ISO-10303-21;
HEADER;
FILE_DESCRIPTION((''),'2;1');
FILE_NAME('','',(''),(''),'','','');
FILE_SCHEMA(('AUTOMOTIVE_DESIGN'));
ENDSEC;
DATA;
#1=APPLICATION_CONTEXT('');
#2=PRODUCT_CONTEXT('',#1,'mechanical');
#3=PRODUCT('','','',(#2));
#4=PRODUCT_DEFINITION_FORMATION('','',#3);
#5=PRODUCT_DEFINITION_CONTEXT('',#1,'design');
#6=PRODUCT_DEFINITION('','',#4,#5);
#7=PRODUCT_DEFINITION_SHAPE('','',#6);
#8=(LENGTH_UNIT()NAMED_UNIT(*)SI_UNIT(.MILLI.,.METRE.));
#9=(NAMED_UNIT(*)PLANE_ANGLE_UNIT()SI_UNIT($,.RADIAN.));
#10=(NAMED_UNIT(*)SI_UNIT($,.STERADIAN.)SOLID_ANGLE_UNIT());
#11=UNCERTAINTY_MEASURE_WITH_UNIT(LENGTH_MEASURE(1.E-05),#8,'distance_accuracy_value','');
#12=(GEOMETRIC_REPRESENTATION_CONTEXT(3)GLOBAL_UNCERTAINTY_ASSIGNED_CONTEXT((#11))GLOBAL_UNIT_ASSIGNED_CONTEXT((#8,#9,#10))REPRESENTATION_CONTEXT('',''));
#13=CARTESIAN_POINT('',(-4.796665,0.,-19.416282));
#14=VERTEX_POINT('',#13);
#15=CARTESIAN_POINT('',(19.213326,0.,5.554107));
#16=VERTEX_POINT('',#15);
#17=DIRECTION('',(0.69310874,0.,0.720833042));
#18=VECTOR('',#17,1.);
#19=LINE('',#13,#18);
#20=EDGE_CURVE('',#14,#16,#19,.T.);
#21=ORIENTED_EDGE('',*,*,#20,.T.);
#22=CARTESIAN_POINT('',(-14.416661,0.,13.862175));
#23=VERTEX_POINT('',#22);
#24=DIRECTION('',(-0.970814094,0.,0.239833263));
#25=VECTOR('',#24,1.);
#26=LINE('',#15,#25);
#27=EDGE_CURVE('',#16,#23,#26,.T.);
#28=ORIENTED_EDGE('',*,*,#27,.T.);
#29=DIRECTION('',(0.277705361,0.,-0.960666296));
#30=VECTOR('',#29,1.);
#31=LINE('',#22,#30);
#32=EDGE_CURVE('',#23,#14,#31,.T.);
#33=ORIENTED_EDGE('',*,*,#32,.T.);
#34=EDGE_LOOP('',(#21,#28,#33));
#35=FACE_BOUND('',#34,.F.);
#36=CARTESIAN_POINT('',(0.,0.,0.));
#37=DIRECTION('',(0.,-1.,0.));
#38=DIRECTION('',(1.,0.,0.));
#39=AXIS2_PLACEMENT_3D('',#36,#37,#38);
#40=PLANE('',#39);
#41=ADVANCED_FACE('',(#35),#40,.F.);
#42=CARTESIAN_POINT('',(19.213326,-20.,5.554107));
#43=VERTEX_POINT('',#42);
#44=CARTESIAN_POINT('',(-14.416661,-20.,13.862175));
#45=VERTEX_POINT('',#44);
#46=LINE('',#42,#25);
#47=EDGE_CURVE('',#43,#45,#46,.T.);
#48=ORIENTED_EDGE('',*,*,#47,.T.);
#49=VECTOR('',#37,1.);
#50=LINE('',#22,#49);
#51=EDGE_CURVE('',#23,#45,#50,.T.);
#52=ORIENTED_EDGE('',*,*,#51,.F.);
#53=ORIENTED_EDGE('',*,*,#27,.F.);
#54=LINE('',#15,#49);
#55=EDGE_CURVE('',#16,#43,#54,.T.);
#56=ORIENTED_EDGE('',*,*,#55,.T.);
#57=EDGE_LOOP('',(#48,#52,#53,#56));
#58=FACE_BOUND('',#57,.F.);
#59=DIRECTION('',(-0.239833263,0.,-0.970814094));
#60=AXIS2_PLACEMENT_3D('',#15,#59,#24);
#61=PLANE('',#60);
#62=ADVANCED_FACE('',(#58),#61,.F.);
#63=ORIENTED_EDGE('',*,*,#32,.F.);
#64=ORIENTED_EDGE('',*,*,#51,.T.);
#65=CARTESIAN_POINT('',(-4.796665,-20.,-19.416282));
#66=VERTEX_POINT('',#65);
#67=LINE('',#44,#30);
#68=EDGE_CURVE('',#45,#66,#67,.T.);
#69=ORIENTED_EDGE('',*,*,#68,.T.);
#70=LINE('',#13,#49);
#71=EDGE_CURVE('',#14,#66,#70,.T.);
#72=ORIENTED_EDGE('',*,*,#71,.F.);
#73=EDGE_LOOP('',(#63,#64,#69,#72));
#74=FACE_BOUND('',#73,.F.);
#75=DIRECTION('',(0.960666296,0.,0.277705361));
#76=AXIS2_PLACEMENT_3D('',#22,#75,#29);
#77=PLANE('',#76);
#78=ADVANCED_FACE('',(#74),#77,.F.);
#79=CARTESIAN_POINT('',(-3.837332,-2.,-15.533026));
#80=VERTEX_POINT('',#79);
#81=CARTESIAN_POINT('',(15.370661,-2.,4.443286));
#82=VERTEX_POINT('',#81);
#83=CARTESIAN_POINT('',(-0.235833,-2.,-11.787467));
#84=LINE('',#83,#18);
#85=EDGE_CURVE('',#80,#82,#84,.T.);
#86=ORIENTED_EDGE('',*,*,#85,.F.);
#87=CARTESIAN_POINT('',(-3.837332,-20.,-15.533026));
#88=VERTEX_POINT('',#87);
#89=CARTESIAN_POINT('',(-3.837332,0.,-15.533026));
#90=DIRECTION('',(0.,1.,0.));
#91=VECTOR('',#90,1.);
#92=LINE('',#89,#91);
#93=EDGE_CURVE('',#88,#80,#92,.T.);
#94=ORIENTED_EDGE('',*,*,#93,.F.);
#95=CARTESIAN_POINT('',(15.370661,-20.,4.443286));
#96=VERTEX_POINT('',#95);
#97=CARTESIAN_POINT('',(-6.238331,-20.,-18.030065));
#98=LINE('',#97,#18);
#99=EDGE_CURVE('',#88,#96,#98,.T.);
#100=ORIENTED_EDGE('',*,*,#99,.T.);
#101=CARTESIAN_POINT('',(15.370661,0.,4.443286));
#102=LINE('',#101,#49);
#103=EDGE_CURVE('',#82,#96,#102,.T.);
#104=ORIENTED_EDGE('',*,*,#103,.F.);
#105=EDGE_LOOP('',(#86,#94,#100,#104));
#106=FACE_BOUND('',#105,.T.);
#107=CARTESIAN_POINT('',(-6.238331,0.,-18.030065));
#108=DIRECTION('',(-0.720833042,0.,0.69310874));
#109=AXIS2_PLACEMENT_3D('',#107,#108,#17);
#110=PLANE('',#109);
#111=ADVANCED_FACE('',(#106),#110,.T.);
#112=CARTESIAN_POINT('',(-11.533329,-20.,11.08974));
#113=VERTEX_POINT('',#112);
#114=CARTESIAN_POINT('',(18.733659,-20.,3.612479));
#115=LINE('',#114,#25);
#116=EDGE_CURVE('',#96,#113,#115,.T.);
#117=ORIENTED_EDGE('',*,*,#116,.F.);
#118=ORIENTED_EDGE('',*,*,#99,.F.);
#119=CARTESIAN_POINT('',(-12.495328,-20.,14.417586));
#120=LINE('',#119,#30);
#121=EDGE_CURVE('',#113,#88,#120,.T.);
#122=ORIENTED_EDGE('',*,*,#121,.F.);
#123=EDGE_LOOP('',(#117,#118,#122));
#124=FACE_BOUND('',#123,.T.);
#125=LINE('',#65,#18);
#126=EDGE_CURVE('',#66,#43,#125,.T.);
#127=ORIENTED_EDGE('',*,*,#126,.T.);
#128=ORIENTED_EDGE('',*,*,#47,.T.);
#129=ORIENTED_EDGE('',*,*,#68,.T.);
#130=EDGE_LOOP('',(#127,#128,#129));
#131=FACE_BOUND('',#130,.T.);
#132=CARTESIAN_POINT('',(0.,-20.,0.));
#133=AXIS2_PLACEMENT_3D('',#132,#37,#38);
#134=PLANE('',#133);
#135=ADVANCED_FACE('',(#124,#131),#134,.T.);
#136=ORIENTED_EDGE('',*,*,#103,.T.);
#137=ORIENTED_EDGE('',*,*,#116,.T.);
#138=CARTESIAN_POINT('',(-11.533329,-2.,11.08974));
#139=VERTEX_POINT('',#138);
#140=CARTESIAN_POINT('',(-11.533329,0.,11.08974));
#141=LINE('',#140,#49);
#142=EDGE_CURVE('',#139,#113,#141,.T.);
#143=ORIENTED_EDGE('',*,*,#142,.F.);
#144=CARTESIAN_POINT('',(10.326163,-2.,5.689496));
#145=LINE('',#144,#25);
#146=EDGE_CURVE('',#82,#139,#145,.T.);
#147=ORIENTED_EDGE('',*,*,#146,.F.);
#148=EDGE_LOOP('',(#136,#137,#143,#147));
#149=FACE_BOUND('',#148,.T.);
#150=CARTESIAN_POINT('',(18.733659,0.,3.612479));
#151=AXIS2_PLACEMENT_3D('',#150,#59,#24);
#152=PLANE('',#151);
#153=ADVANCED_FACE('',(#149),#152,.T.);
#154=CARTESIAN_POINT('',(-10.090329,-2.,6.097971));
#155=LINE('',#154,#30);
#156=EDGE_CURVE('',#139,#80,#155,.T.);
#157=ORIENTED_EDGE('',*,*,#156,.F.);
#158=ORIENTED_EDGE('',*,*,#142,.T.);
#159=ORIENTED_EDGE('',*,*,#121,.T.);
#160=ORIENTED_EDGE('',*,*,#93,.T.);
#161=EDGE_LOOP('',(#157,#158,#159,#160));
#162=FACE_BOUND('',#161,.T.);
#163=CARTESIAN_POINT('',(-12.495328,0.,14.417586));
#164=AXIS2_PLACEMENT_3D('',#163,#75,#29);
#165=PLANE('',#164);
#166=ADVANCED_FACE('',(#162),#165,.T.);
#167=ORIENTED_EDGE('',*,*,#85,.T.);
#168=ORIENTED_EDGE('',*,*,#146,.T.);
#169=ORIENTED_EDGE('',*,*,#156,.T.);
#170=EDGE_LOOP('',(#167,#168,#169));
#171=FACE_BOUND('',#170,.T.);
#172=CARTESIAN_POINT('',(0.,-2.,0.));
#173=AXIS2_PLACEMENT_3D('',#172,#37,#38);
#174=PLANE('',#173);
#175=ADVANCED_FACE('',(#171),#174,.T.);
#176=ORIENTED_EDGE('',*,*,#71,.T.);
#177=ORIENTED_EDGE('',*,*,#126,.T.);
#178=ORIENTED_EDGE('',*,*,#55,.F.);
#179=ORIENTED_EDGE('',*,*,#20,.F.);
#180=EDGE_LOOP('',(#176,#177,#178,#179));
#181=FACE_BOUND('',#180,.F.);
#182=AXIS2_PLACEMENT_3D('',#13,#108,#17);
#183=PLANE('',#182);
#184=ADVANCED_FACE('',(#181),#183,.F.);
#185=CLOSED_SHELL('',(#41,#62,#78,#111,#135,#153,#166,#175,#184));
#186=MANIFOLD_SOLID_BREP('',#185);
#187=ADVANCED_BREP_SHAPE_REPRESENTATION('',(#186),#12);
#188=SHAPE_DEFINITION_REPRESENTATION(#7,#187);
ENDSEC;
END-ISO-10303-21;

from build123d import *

# Parameters (mm, degrees)
F1_DEPTH = 20
F2_T     = -2


with BuildPart() as f1:
    # F0 (on Front) → F1 (new body)
    with BuildSketch(Plane.XZ):
        Polygon((-4.796665, -19.416282), (19.213326, 5.554107), (-14.416661, 13.862175), align=None)
    extrude(amount=F1_DEPTH)

    # F2
    f2_openings = [f1.faces().sort_by_distance(p)[0] for p in [
        (0, -20, 0),
    ]]
    offset(amount=F2_T, openings=f2_openings)


solid = f1.part
